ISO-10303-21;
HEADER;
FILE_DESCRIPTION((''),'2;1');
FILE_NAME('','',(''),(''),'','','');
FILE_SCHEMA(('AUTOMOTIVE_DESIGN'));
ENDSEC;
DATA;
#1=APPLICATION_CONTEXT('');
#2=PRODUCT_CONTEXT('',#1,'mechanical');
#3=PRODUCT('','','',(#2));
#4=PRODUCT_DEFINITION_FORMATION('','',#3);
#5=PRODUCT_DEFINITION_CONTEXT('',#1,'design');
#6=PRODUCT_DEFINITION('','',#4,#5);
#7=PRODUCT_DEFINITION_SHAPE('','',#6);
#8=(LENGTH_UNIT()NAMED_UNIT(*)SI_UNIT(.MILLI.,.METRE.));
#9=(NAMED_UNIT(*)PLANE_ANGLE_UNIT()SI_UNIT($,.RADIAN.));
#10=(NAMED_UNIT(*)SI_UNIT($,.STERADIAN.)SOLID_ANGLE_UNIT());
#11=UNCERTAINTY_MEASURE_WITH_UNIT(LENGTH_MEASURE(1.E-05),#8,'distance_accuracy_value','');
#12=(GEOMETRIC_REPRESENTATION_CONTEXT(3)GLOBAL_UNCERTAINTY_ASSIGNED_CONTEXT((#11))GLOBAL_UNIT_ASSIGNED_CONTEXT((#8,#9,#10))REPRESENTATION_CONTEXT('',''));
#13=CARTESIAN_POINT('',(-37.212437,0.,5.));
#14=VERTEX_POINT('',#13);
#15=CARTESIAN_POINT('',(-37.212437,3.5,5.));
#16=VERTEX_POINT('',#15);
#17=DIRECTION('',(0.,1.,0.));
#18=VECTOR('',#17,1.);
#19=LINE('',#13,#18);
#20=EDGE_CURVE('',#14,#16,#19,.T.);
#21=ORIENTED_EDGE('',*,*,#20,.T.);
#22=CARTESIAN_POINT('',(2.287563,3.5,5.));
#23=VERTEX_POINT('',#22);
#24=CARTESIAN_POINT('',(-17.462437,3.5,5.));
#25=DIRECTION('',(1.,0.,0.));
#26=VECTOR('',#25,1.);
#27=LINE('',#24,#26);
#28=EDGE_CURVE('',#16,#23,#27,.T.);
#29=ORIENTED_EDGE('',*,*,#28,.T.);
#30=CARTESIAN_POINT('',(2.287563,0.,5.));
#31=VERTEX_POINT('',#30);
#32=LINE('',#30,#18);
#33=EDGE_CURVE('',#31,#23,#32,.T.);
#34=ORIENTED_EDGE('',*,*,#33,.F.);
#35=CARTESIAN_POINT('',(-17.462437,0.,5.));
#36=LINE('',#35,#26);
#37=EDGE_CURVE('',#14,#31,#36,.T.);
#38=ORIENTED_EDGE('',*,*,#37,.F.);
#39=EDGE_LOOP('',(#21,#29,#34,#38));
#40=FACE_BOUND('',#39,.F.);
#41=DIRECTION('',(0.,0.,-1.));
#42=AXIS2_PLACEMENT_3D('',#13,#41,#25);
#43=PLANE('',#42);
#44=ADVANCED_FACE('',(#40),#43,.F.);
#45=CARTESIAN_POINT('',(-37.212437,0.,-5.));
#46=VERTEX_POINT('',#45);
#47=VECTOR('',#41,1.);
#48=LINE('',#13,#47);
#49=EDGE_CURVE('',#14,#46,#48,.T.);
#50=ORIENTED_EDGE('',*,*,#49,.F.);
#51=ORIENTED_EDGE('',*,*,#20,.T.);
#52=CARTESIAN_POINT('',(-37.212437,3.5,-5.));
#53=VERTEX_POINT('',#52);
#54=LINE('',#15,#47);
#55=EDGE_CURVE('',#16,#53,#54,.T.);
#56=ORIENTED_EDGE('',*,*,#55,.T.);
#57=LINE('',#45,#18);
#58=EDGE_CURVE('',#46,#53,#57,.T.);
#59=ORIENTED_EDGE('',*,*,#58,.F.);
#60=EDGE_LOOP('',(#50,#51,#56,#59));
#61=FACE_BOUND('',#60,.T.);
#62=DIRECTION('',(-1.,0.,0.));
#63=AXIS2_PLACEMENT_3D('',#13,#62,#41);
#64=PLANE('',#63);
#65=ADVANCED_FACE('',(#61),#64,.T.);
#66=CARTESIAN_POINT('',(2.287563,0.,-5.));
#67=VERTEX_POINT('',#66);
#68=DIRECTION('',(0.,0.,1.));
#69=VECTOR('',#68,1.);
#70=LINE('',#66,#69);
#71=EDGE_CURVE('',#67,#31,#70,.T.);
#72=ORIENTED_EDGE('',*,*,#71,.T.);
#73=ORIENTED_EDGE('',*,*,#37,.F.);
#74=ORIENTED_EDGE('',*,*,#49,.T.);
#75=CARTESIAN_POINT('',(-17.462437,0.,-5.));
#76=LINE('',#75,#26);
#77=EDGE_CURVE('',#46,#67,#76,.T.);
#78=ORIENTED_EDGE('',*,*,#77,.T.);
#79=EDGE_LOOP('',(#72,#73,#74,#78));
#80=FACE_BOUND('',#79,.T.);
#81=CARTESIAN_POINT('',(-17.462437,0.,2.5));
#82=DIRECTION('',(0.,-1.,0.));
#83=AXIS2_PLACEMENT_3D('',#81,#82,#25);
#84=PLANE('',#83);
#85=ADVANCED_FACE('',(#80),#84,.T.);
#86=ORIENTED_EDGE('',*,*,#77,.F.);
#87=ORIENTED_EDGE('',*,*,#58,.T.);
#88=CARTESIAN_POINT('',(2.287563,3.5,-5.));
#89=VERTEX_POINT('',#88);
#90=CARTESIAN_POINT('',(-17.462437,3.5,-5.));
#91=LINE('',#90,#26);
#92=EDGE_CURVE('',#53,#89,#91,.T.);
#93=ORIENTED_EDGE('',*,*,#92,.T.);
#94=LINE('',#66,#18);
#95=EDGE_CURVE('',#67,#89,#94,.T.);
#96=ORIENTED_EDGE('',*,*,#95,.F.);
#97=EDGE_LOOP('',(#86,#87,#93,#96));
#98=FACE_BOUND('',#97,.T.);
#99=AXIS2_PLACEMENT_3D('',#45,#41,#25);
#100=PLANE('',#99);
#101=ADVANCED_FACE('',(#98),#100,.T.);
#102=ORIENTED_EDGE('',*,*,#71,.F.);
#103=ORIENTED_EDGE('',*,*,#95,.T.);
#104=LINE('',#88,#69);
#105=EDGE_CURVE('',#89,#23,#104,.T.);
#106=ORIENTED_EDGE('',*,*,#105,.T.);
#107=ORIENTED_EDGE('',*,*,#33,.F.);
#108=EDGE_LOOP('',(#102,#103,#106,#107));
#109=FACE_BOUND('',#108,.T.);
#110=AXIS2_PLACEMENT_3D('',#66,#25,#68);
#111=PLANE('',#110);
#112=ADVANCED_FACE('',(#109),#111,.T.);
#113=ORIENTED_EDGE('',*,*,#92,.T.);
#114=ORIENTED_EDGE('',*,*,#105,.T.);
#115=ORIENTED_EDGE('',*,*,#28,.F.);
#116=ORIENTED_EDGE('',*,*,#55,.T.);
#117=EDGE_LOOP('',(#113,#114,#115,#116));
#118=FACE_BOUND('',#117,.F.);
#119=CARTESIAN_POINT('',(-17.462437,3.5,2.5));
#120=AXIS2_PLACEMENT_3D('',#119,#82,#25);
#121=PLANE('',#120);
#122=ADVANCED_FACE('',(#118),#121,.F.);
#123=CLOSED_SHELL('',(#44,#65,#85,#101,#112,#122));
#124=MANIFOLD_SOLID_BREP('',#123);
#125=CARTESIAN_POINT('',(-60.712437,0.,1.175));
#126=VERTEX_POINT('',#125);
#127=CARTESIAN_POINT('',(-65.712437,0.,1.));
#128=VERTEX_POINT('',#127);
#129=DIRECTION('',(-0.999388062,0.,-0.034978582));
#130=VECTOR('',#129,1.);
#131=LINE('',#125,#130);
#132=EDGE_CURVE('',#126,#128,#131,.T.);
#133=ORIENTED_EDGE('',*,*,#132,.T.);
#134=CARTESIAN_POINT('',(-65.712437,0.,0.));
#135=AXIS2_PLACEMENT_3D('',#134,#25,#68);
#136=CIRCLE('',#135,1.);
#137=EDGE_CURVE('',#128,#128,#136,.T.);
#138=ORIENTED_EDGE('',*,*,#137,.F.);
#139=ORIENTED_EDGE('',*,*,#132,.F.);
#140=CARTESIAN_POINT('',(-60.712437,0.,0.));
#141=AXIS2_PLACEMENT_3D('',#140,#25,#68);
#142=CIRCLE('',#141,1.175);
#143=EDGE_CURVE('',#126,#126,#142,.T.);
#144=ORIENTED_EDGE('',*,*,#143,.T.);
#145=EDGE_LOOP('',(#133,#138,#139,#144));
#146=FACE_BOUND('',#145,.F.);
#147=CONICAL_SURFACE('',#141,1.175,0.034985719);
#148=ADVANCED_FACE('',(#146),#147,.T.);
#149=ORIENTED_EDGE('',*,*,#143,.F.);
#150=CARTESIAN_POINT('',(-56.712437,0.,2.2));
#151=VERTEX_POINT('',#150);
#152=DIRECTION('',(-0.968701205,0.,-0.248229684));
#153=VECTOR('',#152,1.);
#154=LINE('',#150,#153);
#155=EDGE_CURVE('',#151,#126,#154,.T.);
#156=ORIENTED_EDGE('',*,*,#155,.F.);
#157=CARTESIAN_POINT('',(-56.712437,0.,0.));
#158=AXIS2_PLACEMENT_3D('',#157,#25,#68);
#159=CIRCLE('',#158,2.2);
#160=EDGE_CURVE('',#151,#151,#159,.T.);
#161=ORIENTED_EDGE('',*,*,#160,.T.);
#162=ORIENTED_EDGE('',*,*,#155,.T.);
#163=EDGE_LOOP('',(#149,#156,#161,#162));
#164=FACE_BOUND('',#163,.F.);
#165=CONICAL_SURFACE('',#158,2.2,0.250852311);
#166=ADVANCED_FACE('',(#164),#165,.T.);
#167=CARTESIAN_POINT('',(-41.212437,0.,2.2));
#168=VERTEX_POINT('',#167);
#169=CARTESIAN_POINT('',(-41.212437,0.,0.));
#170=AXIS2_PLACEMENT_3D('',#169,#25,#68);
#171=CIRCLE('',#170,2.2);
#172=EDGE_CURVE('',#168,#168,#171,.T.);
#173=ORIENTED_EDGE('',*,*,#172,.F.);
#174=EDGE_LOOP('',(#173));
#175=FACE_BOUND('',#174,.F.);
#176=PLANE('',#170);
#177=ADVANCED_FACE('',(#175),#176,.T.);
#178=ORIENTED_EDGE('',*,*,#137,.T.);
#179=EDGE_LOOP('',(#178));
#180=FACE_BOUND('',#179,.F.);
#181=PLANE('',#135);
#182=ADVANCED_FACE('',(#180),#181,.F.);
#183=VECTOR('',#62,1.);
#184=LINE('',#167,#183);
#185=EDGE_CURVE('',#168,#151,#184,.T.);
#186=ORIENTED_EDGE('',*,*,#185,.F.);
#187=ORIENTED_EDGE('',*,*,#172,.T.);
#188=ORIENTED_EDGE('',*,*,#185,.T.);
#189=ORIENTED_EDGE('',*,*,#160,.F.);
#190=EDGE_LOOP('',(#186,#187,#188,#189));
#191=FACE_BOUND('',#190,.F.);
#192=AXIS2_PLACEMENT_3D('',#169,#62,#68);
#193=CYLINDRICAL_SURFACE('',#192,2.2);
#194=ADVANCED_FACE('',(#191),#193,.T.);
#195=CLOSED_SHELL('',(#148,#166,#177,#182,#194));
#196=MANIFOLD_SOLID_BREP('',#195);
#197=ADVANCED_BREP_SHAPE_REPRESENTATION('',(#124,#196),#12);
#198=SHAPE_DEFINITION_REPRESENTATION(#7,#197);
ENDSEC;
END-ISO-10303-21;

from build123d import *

# Parameters (mm, degrees)
F0_W     = 39.5
F0_H     = 5
F2_DEPTH = 3.5


with BuildPart() as f1:
    # F0 (on Front) → F1 (revolve)
    with BuildSketch(Plane.XZ):
        Polygon((-65.712437, 1), (-65.712437, 0), (-41.212437, 0), (-41.212437, 2.2), (-56.712437, 2.2), (-60.712437, 1.175), align=None)
    revolve(axis=Axis((-53.462437, 0, 0), (1, 0, 0)))


with BuildPart() as f2:
    # F0 (on Front) → F2 (new body)
    with BuildSketch(Plane.XZ):
        with Locations((-17.462437, 2.5)):
            Rectangle(F0_W, F0_H)
        with Locations((-17.462437, -2.5)):
            Rectangle(F0_W, F0_H)
    extrude(amount=-F2_DEPTH)


solid = Compound([f1.part, f2.part])
